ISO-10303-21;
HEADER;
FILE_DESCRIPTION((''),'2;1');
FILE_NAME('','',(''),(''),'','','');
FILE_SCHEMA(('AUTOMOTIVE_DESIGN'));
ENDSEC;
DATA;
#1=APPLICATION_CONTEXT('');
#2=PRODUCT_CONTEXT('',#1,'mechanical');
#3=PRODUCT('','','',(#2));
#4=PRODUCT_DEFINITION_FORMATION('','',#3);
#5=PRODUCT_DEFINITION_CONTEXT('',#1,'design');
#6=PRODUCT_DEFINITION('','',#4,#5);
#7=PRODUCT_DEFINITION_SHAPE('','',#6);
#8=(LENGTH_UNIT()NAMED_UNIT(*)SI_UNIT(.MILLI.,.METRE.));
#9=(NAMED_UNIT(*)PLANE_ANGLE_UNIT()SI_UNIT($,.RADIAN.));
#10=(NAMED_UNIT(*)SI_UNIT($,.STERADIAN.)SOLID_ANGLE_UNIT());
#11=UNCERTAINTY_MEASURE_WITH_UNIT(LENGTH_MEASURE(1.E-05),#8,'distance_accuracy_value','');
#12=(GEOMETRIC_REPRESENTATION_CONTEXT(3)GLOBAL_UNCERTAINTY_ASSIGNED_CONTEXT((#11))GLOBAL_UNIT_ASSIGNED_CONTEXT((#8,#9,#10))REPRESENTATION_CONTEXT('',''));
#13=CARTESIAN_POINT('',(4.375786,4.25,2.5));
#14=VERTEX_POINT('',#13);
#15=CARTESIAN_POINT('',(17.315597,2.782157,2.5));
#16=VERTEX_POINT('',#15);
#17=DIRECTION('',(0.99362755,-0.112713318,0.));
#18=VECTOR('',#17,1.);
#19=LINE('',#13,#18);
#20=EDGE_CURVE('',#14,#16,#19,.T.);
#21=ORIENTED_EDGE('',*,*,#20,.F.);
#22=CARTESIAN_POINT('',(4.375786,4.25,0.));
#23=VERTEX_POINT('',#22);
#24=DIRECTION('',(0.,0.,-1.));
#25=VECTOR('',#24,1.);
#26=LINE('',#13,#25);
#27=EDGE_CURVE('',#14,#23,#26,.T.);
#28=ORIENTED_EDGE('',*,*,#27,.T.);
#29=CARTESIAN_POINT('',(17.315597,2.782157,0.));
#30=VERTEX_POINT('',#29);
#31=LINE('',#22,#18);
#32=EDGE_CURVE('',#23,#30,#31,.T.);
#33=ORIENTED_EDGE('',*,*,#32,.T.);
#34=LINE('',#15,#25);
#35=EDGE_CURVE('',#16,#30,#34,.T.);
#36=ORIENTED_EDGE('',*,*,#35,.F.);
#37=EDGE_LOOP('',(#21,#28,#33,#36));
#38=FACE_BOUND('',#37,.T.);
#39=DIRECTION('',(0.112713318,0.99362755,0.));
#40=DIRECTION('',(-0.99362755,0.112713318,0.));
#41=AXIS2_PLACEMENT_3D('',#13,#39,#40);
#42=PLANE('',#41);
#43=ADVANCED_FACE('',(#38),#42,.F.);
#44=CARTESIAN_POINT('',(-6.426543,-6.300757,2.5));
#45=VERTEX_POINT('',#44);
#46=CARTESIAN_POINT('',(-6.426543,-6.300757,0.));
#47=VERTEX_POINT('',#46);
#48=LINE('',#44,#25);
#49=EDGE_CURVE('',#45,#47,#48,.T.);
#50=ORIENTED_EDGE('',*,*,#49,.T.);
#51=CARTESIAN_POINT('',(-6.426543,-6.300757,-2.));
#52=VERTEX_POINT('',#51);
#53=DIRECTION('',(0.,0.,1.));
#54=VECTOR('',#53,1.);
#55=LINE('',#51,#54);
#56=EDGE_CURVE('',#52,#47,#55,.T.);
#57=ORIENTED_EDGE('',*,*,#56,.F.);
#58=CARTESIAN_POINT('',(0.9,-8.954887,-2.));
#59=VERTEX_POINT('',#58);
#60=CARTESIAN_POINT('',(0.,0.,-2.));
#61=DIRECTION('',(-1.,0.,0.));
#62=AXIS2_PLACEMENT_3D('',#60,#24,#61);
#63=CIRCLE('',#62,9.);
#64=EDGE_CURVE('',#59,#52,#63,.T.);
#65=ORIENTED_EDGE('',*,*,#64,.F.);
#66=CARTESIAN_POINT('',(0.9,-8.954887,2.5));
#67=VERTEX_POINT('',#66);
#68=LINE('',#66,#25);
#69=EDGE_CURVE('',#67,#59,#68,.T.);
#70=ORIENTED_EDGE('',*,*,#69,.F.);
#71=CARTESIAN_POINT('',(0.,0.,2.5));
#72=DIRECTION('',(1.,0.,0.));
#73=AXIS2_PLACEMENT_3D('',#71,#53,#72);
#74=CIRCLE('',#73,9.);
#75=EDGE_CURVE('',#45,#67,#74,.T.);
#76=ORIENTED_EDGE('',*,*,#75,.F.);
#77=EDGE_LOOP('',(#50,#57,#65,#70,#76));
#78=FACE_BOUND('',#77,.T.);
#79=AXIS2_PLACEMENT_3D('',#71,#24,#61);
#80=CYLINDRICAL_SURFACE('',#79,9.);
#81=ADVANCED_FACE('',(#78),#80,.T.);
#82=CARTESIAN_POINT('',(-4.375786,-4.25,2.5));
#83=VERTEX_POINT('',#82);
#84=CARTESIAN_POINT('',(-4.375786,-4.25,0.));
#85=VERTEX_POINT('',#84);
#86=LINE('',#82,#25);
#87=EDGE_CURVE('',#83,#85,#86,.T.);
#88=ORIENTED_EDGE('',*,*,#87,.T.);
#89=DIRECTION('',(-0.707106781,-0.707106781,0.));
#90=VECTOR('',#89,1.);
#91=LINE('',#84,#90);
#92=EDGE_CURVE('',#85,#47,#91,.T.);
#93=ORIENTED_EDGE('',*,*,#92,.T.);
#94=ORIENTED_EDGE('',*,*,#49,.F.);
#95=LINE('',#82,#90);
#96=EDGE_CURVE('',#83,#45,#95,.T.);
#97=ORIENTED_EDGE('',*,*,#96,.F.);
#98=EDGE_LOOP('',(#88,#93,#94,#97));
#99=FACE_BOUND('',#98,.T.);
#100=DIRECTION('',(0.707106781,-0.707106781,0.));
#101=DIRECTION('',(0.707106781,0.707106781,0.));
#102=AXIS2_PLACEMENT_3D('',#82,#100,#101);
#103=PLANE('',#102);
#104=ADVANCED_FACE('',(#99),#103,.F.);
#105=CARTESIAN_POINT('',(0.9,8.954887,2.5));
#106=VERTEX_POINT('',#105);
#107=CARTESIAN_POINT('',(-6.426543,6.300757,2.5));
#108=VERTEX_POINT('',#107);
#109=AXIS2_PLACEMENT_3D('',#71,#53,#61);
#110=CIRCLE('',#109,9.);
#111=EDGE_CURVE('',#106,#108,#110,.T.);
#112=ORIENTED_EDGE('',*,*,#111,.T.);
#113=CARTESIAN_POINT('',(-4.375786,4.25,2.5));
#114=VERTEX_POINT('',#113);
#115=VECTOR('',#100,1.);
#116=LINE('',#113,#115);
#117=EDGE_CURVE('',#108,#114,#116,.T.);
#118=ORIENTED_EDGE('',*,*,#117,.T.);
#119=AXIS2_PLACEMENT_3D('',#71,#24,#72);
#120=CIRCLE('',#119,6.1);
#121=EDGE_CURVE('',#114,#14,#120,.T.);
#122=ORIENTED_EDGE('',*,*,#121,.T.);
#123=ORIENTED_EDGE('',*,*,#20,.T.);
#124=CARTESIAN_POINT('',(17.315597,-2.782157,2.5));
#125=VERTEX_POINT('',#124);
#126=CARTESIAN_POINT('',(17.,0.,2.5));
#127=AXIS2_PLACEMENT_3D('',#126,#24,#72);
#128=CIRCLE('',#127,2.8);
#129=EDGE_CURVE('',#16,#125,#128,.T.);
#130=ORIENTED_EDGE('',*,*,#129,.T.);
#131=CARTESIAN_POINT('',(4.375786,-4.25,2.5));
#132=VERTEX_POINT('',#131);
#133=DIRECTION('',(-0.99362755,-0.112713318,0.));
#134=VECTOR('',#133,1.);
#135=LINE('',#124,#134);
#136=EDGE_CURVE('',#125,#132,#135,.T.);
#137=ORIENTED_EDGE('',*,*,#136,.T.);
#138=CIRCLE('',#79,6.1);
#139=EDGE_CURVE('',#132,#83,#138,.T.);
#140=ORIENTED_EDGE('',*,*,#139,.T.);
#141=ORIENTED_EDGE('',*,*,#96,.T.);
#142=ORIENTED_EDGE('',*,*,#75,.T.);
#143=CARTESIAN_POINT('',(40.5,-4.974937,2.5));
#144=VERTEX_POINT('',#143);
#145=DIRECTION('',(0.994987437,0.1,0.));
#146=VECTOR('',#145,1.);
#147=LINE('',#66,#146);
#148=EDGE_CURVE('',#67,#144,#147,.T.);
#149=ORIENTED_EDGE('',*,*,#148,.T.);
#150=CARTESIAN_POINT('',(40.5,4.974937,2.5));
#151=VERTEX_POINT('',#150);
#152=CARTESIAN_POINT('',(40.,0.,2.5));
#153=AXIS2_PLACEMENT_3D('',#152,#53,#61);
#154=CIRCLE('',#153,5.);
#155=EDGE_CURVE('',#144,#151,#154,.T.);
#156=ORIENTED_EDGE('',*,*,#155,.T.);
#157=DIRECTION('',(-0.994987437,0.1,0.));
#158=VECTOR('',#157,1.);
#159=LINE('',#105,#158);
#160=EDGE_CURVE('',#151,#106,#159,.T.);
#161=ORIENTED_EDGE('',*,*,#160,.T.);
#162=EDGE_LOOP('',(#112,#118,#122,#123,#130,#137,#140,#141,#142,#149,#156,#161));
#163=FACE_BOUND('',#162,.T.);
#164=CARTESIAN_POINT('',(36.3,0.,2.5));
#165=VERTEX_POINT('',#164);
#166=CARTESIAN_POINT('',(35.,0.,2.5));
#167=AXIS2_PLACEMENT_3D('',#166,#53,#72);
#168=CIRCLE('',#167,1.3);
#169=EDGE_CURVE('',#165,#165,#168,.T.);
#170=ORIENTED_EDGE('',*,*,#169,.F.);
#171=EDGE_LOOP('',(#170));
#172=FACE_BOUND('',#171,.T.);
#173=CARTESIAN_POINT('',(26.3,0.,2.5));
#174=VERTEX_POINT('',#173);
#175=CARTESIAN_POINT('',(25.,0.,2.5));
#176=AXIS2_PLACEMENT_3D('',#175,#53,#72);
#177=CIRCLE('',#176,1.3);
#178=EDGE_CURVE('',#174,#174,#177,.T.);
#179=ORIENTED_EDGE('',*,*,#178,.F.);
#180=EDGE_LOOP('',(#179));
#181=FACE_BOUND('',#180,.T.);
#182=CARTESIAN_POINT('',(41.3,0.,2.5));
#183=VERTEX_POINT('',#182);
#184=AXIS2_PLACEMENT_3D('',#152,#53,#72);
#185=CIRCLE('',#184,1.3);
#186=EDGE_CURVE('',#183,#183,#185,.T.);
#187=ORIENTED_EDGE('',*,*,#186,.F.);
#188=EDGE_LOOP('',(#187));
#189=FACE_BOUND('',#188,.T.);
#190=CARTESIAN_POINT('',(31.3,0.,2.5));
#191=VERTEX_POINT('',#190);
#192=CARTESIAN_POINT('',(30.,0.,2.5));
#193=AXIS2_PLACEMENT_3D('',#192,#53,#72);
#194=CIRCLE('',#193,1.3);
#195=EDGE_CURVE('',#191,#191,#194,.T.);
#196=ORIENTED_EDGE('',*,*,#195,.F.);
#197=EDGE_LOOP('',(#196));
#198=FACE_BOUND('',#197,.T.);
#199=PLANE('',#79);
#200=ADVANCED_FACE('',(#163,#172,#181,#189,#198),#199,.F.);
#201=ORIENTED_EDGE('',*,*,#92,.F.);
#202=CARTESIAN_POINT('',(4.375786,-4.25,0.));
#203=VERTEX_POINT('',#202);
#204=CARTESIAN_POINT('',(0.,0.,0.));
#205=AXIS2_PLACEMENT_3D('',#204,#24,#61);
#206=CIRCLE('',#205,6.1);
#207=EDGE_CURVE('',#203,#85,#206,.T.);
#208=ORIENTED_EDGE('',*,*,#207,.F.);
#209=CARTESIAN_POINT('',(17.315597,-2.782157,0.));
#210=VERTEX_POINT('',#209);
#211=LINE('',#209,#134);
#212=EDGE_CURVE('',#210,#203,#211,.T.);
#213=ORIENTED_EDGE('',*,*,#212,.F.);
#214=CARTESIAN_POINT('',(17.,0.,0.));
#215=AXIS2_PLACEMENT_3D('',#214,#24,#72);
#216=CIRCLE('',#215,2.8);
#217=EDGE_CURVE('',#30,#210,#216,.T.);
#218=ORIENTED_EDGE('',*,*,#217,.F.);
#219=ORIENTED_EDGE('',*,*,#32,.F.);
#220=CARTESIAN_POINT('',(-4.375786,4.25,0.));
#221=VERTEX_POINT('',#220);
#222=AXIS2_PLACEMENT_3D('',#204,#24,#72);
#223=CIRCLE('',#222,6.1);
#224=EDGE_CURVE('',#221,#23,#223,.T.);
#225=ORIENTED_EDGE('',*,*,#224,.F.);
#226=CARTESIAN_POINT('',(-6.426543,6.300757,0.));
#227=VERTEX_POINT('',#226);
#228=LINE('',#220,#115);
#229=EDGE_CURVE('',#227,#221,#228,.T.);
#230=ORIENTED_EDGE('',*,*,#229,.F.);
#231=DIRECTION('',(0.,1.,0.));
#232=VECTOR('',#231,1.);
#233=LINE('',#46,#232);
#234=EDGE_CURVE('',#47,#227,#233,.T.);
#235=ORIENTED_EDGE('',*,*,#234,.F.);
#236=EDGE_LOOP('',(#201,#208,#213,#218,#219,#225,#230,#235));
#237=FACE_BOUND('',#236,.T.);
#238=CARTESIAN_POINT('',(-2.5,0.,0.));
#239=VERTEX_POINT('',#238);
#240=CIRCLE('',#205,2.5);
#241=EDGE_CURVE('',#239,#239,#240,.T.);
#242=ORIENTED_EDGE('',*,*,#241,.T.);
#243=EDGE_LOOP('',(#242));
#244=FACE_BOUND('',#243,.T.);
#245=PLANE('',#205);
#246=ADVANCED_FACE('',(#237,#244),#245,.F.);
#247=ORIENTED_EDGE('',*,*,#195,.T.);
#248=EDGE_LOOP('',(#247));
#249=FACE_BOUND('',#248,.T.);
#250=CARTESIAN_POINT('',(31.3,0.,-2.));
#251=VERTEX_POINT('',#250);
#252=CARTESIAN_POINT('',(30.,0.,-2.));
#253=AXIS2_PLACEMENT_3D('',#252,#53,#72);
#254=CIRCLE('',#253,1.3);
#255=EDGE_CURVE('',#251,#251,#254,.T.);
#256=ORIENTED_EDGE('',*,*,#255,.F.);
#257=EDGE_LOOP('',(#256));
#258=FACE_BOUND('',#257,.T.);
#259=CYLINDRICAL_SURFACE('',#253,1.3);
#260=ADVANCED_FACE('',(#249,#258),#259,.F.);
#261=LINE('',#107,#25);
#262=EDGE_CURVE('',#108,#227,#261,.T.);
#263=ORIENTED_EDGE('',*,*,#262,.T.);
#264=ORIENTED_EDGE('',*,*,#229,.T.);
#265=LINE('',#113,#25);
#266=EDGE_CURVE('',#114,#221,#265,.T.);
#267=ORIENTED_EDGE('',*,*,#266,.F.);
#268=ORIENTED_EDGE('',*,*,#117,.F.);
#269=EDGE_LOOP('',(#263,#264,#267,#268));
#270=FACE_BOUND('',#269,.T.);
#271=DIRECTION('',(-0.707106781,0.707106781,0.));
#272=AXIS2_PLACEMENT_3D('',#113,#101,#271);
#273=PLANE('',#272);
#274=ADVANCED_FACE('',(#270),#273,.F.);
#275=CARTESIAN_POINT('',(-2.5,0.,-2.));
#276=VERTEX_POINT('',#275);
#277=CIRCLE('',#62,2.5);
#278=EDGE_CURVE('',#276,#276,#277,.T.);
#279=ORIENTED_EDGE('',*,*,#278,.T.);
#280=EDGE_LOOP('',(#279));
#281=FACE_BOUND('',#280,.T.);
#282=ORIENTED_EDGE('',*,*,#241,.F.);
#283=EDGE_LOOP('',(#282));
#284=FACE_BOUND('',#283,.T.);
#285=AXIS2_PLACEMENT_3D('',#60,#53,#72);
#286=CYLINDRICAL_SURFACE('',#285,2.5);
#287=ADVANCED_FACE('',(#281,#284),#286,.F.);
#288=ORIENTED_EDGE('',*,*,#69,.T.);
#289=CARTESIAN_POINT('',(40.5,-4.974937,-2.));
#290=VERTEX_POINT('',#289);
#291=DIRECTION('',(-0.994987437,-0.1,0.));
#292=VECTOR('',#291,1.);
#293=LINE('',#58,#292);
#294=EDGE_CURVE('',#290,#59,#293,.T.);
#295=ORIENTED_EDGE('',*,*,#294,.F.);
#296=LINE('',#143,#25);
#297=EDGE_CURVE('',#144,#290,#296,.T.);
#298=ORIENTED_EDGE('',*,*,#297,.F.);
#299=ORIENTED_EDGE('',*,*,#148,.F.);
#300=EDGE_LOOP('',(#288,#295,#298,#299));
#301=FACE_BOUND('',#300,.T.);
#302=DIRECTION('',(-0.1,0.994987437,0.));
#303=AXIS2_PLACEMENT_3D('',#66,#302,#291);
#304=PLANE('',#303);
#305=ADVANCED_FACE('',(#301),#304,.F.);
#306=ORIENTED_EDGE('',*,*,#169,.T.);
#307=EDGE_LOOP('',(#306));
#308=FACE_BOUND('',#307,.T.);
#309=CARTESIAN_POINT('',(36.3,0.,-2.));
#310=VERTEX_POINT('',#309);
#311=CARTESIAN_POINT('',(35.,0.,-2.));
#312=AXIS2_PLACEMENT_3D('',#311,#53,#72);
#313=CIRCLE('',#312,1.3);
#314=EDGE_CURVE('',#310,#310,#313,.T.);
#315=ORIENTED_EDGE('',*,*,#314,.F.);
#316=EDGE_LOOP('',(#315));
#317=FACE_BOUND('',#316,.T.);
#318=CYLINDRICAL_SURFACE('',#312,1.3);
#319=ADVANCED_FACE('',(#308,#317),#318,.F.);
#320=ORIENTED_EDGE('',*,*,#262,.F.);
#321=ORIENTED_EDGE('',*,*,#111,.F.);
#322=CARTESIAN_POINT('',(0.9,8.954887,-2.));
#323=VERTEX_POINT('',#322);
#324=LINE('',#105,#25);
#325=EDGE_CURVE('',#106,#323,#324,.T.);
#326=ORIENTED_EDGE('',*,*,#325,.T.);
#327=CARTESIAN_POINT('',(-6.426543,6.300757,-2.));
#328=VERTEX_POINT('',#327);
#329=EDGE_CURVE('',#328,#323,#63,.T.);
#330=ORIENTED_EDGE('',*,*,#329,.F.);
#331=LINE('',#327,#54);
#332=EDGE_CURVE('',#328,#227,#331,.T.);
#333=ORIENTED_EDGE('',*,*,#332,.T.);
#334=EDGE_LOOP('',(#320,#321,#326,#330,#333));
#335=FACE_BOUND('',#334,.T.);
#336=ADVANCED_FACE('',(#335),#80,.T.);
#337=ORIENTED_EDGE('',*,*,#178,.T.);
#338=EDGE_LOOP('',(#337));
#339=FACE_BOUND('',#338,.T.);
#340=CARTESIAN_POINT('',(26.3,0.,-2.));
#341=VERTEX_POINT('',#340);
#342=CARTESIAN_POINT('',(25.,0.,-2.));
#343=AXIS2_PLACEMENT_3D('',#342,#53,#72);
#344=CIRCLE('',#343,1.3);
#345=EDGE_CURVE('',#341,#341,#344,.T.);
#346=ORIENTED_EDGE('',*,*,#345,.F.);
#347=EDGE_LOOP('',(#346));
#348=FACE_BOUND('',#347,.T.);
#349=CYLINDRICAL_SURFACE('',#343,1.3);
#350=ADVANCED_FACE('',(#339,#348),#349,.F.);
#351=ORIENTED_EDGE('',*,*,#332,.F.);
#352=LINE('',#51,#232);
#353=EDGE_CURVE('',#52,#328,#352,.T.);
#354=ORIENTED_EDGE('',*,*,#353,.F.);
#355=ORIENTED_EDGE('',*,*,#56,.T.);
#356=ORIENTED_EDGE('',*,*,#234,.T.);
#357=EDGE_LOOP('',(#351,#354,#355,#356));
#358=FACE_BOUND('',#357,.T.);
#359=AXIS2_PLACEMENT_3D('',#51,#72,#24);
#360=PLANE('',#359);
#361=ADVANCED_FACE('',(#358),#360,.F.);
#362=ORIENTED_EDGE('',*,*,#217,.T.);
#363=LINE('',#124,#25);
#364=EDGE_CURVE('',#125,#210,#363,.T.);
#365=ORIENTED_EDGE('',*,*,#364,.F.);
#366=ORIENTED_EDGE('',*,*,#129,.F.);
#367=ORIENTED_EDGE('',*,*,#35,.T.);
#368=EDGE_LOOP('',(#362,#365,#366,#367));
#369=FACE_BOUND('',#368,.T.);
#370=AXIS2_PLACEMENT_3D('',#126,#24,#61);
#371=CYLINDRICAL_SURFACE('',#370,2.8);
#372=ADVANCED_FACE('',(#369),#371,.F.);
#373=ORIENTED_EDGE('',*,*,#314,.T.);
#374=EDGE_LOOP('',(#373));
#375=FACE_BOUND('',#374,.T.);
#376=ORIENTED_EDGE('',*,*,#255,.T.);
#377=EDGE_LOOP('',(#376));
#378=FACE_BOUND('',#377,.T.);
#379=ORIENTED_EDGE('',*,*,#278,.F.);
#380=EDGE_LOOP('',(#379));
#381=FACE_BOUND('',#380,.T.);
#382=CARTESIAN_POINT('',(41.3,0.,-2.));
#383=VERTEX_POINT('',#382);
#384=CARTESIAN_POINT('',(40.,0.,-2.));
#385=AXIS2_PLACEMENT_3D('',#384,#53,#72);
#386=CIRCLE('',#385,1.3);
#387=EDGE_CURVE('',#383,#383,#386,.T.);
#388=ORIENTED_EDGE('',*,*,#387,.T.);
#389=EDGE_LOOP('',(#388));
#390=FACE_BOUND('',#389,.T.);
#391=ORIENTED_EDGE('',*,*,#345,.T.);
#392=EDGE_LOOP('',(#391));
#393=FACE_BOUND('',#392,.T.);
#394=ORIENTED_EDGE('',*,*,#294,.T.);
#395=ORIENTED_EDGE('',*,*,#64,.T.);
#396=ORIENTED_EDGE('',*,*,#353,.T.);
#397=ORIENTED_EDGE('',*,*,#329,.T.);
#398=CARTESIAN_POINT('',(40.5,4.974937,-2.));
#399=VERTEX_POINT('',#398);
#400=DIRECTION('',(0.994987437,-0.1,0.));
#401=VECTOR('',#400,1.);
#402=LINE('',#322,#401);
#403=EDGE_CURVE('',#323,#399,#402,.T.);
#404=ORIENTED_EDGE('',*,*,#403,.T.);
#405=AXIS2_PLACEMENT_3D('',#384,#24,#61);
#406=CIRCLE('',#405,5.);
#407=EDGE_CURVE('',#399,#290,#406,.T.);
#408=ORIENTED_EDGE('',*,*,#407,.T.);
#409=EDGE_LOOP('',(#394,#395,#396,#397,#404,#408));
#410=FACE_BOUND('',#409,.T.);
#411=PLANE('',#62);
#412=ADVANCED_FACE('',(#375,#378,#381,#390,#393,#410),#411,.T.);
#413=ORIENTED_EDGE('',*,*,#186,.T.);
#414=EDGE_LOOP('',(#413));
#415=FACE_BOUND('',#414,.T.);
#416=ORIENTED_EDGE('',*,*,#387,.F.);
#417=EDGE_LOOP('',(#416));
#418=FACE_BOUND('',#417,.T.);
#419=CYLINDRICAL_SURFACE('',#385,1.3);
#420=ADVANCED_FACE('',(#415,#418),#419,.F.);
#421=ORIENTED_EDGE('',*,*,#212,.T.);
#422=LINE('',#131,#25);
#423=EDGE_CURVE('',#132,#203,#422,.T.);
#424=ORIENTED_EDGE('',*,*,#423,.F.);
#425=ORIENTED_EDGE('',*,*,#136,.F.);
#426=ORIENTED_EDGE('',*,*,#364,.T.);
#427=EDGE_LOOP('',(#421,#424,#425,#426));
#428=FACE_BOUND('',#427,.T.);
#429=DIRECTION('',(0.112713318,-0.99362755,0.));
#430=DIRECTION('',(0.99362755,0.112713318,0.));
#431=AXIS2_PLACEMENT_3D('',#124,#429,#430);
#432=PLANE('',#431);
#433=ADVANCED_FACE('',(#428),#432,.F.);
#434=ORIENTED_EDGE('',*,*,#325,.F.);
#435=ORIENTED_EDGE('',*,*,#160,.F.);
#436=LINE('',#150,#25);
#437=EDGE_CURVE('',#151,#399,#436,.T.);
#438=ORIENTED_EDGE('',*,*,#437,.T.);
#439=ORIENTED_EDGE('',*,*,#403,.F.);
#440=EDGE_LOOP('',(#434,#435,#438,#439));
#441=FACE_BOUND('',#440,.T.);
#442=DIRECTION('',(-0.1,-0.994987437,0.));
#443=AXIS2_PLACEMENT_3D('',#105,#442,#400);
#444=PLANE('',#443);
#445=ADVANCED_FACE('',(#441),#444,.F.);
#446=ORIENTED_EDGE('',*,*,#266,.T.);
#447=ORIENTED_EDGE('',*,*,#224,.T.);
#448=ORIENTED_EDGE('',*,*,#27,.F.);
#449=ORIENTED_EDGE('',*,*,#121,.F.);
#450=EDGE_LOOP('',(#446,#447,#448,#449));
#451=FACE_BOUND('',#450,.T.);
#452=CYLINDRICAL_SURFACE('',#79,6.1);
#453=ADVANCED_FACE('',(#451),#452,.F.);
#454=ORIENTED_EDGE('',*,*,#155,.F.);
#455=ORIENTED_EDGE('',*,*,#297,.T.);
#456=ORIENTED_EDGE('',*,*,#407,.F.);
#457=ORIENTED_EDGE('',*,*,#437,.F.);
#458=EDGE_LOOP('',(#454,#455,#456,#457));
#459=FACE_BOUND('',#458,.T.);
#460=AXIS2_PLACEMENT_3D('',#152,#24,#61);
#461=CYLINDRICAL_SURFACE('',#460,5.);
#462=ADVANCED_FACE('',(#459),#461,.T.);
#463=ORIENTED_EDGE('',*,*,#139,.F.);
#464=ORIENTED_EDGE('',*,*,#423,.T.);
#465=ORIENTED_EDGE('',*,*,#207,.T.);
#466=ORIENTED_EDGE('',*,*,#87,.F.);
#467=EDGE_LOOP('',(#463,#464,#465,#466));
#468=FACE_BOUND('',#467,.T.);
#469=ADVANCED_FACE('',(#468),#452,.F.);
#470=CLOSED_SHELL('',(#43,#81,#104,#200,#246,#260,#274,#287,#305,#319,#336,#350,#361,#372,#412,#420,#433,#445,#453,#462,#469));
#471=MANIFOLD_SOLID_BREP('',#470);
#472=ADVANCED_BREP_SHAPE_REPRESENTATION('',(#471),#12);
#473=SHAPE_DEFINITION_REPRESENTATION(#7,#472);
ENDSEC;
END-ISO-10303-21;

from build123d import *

# Parameters (mm, degrees)
MAIN_DEPTH            = 2.5
ORIGINALBRACKET_START = 2
ESQUISSE2_R           = 2.5
ORIGINALBRACKET_DEPTH = 2
ESQUISSE3_R           = 1.3
FIXINGHOLE_DEPTH      = 47.111278447
LPATTERN1_COUNT       = 4
LPATTERN1_PITCH       = 5


with BuildPart() as part:
    # Esquisse1 → Main (new body)
    with BuildSketch(Plane.XY):
        with BuildLine():
            Line((-4.375785644, 4.25), (-6.426543071, 6.300757427))
            ThreePointArc((-6.426543071, 6.300757427), (-3.065415215, 8.461869153), (0.9, 8.954886934))
            Line((0.9, 8.954886934), (40.5, 4.974937186))
            ThreePointArc((40.5, 4.974937186), (45, 0), (40.5, -4.974937186))
            Line((40.5, -4.974937186), (0.9, -8.954886934))
            ThreePointArc((0.9, -8.954886934), (-3.065415215, -8.461869153), (-6.426543071, -6.300757427))
            Line((-6.426543071, -6.300757427), (-4.375785644, -4.25))
            ThreePointArc((-4.375785644, -4.25), (0, -6.1), (4.375785644, -4.25))
            Line((4.375785644, -4.25), (17.31559729, -2.78215714))
            ThreePointArc((17.31559729, -2.78215714), (19.8, 0), (17.31559729, 2.78215714))
            Line((17.31559729, 2.78215714), (4.375785644, 4.25))
            ThreePointArc((4.375785644, 4.25), (0, 6.1), (-4.375785644, 4.25))
        make_face()
    extrude(amount=MAIN_DEPTH)

    # Esquisse2 → OriginalBracket (add)
    with BuildSketch(Plane(origin=(0, 0, 0), x_dir=(-1, 0, 0), z_dir=(0, 0, -1)).offset(ORIGINALBRACKET_START)):
        with BuildLine():
            Line((-0.9, -8.954886934), (-40.5, -4.974937186))
            ThreePointArc((-40.5, -4.974937186), (-45, 0), (-40.5, 4.974937186))
            Line((-40.5, 4.974937186), (-0.9, 8.954886934))
            ThreePointArc((-0.9, 8.954886934), (3.065415215, 8.461869153), (6.426543071, 6.300757427))
            Line((6.426543071, 6.300757427), (6.426543071, -6.300757427))
            ThreePointArc((6.426543071, -6.300757427), (3.065415215, -8.461869153), (-0.9, -8.954886934))
        make_face()
        Circle(ESQUISSE2_R, mode=Mode.SUBTRACT)
    extrude(amount=-ORIGINALBRACKET_DEPTH)

    # Esquisse3 → FixingHole (cut, through all)
    with BuildSketch(Plane.XY.offset(2.5)):
        with Locations((40, 0)):
            Circle(ESQUISSE3_R)
    fixinghole = extrude(amount=-FIXINGHOLE_DEPTH, mode=Mode.SUBTRACT)

    # LPattern1: FixingHole ×4
    with Locations(*[(-i * LPATTERN1_PITCH, 0, 0) for i in range(1, LPATTERN1_COUNT)]):
        add(fixinghole, mode=Mode.SUBTRACT)


solid = part.part
